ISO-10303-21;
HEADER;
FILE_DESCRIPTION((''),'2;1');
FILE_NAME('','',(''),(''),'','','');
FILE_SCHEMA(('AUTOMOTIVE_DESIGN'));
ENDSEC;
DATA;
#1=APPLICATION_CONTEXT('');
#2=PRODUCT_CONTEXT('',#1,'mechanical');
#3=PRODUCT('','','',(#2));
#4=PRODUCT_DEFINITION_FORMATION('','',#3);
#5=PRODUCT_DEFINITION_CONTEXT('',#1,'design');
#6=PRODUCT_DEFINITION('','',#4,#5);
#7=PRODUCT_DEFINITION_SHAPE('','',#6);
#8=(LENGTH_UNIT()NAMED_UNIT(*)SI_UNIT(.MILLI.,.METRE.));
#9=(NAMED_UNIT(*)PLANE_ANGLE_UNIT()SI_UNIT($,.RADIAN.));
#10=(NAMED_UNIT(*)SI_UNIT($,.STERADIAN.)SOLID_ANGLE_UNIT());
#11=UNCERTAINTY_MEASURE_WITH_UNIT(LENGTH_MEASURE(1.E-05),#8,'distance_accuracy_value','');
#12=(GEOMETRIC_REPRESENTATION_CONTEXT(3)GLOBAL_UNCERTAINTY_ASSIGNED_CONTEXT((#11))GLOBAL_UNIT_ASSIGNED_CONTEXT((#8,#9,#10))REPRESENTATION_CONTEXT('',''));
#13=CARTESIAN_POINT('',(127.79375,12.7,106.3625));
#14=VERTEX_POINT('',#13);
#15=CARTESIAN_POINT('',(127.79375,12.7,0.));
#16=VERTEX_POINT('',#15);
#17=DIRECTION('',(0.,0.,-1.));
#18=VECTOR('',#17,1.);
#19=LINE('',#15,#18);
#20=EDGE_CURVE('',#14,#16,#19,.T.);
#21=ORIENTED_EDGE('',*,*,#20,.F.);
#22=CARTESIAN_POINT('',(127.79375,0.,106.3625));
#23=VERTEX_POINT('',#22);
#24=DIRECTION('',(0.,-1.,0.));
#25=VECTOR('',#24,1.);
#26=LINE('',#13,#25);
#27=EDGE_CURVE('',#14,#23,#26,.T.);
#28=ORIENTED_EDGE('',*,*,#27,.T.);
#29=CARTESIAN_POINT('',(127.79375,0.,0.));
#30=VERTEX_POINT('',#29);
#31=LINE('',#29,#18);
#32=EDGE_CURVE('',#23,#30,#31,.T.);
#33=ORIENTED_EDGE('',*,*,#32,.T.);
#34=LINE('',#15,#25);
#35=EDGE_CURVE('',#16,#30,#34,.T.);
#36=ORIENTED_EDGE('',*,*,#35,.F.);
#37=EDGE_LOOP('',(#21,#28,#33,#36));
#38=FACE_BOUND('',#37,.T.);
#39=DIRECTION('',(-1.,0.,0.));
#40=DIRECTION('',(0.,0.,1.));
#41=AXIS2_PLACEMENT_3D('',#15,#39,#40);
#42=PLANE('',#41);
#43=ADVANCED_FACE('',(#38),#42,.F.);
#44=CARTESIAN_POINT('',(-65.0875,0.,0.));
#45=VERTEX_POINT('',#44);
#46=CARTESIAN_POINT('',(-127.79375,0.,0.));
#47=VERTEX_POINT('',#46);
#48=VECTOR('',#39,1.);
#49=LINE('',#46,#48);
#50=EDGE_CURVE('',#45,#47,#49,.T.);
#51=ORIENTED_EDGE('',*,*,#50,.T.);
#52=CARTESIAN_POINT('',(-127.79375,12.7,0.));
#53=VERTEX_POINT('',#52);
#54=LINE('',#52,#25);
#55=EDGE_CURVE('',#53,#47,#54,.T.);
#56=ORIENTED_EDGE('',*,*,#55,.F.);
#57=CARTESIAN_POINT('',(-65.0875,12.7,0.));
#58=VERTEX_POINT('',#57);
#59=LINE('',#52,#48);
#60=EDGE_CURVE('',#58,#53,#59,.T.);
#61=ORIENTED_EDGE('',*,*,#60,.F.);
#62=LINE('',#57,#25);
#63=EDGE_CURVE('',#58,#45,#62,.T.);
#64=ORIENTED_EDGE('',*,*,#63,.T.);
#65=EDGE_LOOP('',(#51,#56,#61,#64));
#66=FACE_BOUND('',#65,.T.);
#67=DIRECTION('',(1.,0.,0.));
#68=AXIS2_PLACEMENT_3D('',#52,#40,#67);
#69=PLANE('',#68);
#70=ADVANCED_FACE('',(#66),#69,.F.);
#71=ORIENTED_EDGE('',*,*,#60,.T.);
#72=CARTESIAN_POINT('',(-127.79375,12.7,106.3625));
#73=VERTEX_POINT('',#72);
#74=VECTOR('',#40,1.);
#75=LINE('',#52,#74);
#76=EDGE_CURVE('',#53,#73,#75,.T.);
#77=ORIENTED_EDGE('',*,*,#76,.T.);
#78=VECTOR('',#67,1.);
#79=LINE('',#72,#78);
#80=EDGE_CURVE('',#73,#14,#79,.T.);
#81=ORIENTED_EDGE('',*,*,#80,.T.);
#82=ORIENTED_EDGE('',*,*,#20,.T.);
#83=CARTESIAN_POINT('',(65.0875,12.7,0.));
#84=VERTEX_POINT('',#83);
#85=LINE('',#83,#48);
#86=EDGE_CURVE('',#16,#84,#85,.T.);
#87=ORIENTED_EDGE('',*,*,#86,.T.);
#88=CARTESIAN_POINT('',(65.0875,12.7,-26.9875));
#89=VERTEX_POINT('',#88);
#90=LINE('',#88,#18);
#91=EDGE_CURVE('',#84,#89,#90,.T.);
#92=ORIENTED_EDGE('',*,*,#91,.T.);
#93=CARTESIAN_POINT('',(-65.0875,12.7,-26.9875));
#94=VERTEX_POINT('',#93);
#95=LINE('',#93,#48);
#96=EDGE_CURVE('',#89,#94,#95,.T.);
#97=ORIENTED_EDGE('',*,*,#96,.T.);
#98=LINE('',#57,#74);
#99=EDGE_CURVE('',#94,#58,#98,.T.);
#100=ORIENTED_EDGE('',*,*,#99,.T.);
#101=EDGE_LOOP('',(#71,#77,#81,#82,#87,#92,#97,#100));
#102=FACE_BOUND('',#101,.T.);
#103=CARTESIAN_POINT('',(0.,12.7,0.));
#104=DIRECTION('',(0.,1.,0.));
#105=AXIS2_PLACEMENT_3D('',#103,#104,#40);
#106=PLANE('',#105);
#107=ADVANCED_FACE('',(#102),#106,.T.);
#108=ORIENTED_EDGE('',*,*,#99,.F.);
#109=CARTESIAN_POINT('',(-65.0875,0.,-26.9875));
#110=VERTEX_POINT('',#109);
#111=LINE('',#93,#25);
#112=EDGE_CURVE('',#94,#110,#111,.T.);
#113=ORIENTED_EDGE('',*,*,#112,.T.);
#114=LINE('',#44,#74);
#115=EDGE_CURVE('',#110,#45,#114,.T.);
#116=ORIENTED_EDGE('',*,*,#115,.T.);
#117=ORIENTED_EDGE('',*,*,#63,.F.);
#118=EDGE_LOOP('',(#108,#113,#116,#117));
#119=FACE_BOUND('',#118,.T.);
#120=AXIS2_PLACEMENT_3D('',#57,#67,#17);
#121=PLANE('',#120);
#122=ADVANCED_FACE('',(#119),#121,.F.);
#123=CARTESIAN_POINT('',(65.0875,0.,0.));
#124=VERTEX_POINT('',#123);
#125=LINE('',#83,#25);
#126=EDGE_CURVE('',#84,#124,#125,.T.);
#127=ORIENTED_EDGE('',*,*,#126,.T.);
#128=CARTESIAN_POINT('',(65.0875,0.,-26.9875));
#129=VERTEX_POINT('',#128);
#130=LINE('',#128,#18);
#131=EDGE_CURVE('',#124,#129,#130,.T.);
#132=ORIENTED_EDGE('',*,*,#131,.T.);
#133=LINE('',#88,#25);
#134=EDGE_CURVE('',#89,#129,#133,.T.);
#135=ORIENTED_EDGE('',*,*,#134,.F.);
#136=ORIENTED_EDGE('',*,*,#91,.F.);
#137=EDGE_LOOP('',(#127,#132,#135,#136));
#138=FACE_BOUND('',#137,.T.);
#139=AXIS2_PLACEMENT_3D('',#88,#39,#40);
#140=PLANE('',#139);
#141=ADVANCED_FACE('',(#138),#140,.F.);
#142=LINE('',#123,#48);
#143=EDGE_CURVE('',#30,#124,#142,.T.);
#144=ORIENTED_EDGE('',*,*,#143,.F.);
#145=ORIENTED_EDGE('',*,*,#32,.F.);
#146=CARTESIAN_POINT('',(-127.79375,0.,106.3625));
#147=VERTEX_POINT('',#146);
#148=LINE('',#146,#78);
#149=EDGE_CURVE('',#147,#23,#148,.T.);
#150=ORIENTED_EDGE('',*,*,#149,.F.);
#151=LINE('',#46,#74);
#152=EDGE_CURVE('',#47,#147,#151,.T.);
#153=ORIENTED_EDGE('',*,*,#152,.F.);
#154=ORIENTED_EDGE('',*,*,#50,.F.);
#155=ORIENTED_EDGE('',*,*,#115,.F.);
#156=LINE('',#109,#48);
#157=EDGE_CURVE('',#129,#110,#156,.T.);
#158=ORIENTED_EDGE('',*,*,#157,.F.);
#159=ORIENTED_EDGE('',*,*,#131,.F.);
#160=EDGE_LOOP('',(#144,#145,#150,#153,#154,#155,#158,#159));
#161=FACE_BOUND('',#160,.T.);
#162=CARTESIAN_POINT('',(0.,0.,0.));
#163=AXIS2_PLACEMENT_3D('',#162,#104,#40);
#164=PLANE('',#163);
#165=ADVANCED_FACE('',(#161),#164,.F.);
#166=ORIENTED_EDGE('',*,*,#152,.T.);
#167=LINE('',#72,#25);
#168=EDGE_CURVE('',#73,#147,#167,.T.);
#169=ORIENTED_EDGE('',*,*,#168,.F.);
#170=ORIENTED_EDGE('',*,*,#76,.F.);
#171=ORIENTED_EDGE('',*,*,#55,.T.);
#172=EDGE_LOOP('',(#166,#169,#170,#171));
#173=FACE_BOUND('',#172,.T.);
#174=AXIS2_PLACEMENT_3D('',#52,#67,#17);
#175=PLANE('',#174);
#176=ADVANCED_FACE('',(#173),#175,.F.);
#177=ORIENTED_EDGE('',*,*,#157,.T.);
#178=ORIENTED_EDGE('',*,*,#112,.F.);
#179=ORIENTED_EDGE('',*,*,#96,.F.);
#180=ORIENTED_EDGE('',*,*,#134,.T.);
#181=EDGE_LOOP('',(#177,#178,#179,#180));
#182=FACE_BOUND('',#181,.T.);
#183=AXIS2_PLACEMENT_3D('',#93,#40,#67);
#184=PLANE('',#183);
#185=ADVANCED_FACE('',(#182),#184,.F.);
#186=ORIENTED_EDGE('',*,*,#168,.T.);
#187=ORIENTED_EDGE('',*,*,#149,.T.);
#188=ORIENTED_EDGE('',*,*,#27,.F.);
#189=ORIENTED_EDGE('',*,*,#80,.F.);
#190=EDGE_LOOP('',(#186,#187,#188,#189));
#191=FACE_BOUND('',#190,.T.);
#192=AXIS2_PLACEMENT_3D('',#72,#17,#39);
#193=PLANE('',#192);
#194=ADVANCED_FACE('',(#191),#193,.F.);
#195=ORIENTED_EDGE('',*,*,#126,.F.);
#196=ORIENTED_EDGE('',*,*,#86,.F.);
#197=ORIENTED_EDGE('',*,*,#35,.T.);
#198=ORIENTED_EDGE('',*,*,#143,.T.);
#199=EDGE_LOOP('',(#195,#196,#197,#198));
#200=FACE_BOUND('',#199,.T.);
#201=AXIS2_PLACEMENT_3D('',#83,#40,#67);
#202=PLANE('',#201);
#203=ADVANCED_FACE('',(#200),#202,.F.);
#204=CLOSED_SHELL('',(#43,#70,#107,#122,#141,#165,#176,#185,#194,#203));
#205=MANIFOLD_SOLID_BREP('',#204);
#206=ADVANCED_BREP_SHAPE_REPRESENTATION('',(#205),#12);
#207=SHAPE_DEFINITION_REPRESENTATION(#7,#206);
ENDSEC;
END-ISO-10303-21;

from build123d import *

# Parameters (mm, degrees)
BOSS_EXTRUDE1_DEPTH = 12.7


with BuildPart() as part:
    # Sketch1 → Boss-Extrude1 (new body)
    with BuildSketch(Plane(origin=(0, 0, 0), x_dir=(1, 0, 0), z_dir=(0, 1, 0))):
        Polygon((-65.0875, 0), (-65.0875, 26.9875), (65.0875, 26.9875), (65.0875, 0), (127.79375, 0), (127.79375, -106.3625), (-127.79375, -106.3625), (-127.79375, 0), align=None)
    extrude(amount=BOSS_EXTRUDE1_DEPTH)


solid = part.part
